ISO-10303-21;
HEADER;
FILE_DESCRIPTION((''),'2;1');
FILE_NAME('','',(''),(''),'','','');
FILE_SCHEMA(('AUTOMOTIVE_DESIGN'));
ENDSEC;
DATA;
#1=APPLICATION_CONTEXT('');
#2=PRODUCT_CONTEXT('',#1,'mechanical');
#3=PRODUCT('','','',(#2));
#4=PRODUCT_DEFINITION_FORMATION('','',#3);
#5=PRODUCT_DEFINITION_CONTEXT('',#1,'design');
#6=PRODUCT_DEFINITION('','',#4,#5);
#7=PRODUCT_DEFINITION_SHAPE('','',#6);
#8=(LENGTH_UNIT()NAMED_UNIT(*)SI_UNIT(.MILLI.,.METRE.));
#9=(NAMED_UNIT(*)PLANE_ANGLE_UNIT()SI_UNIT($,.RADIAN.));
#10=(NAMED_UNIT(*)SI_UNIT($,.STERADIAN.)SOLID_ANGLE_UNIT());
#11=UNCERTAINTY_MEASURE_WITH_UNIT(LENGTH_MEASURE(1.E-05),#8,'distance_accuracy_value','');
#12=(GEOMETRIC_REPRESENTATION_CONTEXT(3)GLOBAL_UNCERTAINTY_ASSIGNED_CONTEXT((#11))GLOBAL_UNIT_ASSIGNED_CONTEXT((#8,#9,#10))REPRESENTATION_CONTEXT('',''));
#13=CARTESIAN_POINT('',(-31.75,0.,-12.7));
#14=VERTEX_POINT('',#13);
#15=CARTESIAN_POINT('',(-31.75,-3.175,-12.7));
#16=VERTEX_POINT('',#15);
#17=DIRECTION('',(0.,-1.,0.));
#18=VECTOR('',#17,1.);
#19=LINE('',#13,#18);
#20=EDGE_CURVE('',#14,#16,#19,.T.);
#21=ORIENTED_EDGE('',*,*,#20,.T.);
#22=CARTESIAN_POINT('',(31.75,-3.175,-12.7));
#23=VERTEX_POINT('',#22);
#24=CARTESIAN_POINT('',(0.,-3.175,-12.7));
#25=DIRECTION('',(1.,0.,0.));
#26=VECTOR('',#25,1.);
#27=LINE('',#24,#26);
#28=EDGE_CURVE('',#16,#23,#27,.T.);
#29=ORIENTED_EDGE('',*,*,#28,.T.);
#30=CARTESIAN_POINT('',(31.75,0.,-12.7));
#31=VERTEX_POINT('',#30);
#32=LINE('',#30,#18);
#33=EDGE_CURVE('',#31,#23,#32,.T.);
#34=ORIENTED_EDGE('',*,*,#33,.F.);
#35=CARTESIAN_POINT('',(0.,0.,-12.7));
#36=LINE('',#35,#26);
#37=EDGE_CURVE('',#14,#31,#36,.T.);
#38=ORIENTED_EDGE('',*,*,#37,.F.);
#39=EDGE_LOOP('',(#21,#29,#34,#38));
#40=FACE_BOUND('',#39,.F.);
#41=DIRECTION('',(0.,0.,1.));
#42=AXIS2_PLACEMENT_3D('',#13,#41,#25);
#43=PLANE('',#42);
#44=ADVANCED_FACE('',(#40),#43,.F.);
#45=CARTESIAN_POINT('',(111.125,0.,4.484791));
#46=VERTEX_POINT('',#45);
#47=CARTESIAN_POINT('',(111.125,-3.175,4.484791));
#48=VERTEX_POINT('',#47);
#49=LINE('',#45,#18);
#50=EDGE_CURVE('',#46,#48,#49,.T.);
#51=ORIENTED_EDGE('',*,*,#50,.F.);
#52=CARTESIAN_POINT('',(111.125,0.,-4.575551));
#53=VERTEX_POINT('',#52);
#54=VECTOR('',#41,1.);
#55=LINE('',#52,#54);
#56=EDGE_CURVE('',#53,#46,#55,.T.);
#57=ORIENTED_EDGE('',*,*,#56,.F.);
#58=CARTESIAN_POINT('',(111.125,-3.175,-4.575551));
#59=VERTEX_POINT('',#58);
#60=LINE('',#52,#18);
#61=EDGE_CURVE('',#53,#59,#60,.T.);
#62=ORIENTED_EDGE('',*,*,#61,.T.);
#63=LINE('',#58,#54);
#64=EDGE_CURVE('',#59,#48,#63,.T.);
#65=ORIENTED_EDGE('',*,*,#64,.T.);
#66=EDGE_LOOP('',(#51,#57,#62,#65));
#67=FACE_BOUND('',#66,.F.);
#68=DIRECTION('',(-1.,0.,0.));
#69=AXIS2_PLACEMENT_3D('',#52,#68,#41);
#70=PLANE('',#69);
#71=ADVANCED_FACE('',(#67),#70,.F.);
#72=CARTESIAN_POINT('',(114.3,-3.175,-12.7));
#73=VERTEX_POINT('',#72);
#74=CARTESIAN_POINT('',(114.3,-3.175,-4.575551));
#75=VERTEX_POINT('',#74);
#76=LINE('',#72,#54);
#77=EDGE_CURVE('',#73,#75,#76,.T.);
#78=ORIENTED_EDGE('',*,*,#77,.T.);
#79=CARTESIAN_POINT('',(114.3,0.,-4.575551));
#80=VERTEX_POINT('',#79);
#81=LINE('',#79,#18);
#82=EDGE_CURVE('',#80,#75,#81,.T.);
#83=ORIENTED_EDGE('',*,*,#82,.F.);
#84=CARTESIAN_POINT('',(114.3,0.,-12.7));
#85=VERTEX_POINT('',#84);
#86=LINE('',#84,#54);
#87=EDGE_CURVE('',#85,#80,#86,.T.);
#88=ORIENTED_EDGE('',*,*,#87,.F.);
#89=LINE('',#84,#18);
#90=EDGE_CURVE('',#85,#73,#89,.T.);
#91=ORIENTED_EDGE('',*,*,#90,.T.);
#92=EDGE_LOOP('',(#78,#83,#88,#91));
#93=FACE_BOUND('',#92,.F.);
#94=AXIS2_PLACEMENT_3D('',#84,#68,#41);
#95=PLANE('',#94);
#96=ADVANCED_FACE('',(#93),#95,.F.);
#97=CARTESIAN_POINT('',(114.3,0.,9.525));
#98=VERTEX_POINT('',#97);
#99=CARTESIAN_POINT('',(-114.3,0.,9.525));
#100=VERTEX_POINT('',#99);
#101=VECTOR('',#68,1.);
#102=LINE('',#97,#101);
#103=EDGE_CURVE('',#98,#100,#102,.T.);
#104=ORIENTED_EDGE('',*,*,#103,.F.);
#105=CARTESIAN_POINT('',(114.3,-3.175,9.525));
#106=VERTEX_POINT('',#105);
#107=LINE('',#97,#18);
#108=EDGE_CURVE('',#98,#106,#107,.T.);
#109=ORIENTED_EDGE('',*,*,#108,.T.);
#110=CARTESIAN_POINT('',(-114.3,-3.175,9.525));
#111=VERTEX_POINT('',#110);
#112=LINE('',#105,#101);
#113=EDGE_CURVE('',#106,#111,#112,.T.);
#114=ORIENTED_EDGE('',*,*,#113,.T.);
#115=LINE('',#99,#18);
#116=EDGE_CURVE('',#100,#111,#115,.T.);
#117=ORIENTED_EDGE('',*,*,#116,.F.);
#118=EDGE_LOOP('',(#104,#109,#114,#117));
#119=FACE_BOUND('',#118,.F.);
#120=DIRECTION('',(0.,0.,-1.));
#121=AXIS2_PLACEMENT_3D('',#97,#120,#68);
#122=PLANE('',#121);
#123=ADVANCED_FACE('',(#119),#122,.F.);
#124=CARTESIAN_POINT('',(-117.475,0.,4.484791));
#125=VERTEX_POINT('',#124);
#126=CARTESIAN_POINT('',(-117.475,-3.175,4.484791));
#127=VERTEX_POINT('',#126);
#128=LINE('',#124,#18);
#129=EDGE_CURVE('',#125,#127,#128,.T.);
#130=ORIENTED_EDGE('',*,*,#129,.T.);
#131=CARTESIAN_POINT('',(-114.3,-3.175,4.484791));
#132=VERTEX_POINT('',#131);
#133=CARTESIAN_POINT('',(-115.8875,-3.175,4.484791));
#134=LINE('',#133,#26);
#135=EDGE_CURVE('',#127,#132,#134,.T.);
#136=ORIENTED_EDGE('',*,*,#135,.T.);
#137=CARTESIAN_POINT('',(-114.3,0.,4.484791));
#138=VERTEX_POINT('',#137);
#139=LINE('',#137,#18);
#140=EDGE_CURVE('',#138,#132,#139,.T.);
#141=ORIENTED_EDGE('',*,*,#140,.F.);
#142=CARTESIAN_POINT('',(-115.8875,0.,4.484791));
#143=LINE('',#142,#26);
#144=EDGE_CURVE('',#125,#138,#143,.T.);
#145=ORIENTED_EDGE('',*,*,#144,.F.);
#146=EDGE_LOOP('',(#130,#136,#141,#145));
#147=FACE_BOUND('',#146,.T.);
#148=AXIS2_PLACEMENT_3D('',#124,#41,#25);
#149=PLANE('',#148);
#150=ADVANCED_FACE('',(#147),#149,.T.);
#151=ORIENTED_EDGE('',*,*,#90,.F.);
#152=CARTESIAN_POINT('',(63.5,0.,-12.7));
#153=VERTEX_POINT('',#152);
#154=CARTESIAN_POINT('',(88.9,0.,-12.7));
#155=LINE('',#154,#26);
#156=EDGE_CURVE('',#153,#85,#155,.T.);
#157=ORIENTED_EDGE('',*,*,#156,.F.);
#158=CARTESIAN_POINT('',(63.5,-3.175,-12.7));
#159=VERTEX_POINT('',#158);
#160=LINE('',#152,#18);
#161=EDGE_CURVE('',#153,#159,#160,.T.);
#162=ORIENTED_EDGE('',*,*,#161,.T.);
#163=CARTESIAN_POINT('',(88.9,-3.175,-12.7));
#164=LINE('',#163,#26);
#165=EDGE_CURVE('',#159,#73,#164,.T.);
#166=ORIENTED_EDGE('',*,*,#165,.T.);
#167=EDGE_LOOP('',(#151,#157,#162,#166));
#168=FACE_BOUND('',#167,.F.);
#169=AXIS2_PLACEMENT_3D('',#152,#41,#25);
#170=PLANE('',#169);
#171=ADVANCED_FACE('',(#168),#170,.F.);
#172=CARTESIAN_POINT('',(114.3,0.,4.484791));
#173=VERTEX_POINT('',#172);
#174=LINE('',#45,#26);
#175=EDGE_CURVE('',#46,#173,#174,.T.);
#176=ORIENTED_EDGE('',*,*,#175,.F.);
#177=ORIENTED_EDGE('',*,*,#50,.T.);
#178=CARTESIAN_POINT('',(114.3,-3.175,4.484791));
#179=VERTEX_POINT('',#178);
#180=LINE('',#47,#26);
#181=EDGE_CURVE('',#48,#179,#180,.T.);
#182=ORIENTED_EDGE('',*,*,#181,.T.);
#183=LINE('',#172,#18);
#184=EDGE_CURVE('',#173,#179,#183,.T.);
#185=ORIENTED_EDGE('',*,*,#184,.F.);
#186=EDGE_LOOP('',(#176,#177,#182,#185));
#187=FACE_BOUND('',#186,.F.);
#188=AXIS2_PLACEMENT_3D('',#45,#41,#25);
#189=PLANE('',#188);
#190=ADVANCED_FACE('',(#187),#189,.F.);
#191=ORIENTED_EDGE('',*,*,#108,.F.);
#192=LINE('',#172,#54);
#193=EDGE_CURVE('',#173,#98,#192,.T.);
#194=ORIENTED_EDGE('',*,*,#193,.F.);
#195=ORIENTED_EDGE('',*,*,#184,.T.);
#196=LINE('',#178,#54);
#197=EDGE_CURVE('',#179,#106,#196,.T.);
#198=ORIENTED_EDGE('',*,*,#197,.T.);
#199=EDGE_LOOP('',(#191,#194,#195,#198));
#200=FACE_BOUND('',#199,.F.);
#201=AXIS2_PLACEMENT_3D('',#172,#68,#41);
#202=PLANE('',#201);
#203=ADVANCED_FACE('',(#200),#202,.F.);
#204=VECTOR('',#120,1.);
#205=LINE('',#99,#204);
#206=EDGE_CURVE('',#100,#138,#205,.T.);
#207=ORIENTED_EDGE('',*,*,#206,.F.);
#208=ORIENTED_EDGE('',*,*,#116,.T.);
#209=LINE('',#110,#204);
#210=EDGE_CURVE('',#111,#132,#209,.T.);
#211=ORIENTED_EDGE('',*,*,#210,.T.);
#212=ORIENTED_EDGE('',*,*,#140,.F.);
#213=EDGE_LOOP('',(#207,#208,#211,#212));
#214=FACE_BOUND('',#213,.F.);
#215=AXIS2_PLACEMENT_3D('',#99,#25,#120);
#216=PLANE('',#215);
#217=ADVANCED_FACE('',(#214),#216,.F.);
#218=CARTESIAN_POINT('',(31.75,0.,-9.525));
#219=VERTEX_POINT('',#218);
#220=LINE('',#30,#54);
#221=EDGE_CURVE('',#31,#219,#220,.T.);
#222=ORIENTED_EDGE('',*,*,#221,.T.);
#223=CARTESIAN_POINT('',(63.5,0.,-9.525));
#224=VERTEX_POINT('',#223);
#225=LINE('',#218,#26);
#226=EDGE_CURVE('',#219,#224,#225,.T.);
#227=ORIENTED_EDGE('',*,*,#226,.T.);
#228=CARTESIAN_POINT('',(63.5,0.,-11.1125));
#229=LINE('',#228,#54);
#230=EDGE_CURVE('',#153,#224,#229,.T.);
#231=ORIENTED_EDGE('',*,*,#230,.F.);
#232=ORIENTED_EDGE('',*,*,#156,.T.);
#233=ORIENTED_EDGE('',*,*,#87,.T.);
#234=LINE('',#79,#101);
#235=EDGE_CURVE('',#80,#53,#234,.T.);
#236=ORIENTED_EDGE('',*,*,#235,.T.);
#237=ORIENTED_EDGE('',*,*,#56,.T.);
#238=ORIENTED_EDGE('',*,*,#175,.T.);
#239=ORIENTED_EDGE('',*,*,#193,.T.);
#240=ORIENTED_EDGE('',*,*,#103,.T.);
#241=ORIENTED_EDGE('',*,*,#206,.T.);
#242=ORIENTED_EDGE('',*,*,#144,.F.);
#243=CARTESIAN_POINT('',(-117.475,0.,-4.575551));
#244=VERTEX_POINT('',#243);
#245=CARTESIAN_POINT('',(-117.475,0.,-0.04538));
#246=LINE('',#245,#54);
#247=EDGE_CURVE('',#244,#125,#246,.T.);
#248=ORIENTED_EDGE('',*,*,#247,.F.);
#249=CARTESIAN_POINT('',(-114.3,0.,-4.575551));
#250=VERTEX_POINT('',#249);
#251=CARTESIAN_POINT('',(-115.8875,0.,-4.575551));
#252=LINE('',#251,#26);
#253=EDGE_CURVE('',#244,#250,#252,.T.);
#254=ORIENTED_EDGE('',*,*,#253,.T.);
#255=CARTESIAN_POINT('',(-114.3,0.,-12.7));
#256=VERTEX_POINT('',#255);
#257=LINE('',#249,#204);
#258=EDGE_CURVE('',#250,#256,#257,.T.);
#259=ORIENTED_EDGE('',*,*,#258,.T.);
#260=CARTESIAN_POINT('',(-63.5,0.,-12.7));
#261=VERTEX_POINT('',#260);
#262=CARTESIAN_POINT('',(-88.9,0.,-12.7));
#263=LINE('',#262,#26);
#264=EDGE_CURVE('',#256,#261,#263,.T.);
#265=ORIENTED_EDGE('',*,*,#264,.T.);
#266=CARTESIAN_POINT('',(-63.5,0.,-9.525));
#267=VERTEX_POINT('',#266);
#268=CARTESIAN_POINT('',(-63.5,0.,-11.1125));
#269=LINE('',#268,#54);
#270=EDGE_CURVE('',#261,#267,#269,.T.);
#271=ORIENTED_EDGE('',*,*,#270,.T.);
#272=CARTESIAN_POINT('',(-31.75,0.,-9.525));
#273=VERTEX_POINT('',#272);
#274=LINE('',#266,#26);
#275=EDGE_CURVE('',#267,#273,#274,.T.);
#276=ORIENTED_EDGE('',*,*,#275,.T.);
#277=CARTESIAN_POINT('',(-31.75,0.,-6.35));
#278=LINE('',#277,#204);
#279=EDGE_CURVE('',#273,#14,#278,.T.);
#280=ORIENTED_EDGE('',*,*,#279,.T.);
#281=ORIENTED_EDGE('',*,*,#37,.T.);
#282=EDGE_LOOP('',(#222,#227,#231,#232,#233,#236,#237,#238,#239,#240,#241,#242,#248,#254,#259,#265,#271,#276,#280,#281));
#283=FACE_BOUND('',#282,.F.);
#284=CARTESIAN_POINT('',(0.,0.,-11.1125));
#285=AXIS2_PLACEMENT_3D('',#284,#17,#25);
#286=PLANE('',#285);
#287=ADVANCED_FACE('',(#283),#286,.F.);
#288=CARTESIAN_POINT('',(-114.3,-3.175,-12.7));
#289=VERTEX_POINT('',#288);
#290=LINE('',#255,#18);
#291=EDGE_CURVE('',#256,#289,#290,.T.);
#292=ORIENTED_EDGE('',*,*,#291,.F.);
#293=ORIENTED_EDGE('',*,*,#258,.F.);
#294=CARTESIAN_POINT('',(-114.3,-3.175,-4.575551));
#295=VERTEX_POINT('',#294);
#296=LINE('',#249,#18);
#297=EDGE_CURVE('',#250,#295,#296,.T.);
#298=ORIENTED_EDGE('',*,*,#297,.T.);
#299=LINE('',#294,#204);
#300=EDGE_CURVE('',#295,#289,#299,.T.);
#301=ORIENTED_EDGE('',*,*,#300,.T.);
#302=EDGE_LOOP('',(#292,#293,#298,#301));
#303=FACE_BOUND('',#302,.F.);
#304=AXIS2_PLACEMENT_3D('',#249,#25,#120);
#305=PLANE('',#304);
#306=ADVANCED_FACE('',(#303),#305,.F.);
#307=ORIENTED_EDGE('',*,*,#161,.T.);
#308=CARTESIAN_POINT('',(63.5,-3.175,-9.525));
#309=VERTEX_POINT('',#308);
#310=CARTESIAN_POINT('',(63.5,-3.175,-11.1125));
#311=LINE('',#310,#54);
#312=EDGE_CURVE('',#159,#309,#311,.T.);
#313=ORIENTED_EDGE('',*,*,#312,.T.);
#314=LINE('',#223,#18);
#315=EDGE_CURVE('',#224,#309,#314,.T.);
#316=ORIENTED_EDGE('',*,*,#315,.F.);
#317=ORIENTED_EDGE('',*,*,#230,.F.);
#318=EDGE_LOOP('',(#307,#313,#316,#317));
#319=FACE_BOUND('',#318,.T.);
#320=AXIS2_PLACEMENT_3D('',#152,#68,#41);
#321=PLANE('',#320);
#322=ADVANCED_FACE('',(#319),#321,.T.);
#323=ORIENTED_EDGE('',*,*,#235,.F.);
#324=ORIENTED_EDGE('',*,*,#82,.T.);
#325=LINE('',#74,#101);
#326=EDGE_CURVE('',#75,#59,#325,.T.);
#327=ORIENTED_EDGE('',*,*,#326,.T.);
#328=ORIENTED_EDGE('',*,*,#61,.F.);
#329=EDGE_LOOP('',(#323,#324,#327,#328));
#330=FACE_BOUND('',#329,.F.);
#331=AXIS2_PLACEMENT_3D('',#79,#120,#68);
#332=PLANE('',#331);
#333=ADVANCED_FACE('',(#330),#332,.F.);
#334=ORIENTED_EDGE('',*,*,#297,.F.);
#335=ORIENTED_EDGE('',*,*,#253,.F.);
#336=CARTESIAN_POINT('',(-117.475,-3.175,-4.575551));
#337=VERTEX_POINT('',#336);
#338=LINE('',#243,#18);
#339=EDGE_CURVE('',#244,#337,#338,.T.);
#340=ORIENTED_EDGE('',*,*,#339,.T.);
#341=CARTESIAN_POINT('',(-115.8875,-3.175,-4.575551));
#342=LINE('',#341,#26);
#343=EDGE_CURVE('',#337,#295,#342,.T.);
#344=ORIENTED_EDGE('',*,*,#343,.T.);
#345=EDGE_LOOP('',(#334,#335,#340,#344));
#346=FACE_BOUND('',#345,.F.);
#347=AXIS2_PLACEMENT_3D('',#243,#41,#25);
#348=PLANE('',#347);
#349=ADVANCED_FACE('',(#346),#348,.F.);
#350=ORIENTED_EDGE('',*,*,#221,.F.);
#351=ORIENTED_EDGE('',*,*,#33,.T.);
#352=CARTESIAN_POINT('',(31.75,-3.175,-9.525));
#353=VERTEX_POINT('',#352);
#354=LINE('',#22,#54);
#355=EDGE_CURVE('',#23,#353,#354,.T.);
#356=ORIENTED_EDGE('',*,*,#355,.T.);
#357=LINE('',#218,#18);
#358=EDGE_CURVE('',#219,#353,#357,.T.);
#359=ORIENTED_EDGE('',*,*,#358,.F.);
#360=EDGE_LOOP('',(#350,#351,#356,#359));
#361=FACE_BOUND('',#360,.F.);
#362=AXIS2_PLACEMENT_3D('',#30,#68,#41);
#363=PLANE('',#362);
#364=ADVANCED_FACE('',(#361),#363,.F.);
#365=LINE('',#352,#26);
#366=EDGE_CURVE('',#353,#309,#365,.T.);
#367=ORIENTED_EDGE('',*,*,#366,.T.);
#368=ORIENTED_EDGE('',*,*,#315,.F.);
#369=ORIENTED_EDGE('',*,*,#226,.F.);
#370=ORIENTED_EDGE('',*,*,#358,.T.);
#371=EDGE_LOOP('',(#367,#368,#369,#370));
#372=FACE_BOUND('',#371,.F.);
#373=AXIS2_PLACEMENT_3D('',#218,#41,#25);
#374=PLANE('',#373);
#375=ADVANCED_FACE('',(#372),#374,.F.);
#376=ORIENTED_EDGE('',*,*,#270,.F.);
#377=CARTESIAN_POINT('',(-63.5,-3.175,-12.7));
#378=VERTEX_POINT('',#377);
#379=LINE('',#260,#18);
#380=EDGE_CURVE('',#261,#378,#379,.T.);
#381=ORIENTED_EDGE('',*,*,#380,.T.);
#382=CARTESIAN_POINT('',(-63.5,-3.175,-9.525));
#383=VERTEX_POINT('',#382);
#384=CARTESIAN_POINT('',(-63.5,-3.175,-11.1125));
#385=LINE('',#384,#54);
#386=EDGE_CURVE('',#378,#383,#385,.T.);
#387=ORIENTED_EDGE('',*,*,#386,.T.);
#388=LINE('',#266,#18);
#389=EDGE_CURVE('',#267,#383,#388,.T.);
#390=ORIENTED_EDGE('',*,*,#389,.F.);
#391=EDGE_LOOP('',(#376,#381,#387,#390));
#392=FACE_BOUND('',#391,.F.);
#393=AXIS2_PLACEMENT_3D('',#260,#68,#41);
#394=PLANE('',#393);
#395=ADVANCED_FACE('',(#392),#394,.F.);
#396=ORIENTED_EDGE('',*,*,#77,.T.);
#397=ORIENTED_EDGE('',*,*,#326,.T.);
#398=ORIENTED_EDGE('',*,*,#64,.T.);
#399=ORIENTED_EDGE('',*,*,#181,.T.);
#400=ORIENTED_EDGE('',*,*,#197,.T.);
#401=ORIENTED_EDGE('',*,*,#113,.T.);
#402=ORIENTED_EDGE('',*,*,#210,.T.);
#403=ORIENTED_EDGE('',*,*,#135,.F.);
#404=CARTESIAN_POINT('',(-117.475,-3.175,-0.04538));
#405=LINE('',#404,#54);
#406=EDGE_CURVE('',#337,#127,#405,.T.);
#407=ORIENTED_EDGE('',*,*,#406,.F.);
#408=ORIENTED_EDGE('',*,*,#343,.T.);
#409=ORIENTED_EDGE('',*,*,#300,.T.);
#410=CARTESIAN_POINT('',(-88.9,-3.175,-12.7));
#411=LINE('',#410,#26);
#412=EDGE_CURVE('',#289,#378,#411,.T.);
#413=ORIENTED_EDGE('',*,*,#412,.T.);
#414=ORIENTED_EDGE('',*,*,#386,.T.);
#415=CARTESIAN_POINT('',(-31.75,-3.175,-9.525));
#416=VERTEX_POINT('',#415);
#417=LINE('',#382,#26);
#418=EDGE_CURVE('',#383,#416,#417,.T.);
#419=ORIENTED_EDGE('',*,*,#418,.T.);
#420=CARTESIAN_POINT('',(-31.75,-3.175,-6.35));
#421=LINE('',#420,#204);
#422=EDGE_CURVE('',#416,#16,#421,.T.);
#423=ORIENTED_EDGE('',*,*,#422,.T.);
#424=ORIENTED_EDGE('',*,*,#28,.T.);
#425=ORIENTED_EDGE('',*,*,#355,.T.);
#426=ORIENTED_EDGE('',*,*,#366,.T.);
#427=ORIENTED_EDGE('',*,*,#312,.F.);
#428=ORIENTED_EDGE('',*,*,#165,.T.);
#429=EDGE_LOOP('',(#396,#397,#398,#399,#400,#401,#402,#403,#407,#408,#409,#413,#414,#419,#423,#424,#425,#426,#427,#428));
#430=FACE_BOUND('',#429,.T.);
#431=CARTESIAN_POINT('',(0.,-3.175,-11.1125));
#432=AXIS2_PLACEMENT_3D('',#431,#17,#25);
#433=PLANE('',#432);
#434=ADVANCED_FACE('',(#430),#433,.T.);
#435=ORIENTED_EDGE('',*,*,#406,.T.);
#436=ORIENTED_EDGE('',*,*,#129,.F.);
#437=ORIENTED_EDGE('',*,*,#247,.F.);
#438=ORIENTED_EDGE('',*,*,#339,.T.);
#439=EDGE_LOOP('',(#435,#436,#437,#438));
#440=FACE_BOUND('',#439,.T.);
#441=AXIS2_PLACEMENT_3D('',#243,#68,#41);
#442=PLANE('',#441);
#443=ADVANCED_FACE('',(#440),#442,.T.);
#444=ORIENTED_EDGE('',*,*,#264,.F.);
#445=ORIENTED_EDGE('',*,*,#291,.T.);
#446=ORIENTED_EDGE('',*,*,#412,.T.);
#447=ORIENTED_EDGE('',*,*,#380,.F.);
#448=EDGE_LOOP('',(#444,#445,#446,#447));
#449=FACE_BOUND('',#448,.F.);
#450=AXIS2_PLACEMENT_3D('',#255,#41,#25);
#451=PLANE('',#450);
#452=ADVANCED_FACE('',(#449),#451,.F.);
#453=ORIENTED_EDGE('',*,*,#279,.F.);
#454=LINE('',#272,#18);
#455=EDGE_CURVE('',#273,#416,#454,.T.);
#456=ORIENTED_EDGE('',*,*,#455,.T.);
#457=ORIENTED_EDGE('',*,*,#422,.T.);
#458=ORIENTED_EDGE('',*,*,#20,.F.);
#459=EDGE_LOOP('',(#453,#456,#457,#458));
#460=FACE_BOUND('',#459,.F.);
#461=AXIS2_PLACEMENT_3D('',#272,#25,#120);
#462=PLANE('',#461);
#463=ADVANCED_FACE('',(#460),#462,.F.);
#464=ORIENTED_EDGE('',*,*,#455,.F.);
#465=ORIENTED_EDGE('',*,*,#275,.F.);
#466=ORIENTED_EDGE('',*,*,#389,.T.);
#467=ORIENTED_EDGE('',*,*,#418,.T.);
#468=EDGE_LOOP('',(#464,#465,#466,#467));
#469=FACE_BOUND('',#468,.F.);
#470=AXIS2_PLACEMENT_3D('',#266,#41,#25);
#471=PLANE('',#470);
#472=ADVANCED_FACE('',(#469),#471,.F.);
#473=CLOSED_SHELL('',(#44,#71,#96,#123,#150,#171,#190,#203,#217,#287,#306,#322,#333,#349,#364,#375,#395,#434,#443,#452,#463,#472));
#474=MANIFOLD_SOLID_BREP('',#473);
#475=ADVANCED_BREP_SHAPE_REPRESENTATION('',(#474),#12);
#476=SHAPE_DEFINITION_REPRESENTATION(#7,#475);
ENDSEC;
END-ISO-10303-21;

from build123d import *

# Parameters (mm, degrees)
F0_W     = 63.5
F0_H     = 3.175
F0_W_2   = 50.8
F0_W_3   = 3.175
F0_H_2   = 9.060342
F1_DEPTH = 3.175


with BuildPart() as f1:
    # F0 (on Front) → F1 (new body)
    with BuildSketch(Plane.XZ):
        with Locations((0, -11.1125)):
            Rectangle(F0_W, F0_H)
        with Locations((-88.9, -11.1125)):
            Rectangle(F0_W_2, F0_H)
        with Locations((88.9, -11.1125)):
            Rectangle(F0_W_2, F0_H)
        with Locations((-115.8875, -0.04538)):
            Rectangle(F0_W_3, F0_H_2)
        with Locations((0, -7.9375)):
            Rectangle(F0_W, F0_H)
        Polygon((114.3, 4.484791), (114.3, 9.525), (-114.3, 9.525), (-114.3, 4.484791), (-114.3, -4.575551), (-114.3, -9.525), (-63.5, -9.525), (-31.75, -9.525), (-31.75, -6.35), (31.75, -6.35), (31.75, -9.525), (63.5, -9.525), (114.3, -9.525), (114.3, -4.575551), (111.125, -4.575551), (111.125, 4.484791), align=None)
    extrude(amount=F1_DEPTH)


solid = f1.part
